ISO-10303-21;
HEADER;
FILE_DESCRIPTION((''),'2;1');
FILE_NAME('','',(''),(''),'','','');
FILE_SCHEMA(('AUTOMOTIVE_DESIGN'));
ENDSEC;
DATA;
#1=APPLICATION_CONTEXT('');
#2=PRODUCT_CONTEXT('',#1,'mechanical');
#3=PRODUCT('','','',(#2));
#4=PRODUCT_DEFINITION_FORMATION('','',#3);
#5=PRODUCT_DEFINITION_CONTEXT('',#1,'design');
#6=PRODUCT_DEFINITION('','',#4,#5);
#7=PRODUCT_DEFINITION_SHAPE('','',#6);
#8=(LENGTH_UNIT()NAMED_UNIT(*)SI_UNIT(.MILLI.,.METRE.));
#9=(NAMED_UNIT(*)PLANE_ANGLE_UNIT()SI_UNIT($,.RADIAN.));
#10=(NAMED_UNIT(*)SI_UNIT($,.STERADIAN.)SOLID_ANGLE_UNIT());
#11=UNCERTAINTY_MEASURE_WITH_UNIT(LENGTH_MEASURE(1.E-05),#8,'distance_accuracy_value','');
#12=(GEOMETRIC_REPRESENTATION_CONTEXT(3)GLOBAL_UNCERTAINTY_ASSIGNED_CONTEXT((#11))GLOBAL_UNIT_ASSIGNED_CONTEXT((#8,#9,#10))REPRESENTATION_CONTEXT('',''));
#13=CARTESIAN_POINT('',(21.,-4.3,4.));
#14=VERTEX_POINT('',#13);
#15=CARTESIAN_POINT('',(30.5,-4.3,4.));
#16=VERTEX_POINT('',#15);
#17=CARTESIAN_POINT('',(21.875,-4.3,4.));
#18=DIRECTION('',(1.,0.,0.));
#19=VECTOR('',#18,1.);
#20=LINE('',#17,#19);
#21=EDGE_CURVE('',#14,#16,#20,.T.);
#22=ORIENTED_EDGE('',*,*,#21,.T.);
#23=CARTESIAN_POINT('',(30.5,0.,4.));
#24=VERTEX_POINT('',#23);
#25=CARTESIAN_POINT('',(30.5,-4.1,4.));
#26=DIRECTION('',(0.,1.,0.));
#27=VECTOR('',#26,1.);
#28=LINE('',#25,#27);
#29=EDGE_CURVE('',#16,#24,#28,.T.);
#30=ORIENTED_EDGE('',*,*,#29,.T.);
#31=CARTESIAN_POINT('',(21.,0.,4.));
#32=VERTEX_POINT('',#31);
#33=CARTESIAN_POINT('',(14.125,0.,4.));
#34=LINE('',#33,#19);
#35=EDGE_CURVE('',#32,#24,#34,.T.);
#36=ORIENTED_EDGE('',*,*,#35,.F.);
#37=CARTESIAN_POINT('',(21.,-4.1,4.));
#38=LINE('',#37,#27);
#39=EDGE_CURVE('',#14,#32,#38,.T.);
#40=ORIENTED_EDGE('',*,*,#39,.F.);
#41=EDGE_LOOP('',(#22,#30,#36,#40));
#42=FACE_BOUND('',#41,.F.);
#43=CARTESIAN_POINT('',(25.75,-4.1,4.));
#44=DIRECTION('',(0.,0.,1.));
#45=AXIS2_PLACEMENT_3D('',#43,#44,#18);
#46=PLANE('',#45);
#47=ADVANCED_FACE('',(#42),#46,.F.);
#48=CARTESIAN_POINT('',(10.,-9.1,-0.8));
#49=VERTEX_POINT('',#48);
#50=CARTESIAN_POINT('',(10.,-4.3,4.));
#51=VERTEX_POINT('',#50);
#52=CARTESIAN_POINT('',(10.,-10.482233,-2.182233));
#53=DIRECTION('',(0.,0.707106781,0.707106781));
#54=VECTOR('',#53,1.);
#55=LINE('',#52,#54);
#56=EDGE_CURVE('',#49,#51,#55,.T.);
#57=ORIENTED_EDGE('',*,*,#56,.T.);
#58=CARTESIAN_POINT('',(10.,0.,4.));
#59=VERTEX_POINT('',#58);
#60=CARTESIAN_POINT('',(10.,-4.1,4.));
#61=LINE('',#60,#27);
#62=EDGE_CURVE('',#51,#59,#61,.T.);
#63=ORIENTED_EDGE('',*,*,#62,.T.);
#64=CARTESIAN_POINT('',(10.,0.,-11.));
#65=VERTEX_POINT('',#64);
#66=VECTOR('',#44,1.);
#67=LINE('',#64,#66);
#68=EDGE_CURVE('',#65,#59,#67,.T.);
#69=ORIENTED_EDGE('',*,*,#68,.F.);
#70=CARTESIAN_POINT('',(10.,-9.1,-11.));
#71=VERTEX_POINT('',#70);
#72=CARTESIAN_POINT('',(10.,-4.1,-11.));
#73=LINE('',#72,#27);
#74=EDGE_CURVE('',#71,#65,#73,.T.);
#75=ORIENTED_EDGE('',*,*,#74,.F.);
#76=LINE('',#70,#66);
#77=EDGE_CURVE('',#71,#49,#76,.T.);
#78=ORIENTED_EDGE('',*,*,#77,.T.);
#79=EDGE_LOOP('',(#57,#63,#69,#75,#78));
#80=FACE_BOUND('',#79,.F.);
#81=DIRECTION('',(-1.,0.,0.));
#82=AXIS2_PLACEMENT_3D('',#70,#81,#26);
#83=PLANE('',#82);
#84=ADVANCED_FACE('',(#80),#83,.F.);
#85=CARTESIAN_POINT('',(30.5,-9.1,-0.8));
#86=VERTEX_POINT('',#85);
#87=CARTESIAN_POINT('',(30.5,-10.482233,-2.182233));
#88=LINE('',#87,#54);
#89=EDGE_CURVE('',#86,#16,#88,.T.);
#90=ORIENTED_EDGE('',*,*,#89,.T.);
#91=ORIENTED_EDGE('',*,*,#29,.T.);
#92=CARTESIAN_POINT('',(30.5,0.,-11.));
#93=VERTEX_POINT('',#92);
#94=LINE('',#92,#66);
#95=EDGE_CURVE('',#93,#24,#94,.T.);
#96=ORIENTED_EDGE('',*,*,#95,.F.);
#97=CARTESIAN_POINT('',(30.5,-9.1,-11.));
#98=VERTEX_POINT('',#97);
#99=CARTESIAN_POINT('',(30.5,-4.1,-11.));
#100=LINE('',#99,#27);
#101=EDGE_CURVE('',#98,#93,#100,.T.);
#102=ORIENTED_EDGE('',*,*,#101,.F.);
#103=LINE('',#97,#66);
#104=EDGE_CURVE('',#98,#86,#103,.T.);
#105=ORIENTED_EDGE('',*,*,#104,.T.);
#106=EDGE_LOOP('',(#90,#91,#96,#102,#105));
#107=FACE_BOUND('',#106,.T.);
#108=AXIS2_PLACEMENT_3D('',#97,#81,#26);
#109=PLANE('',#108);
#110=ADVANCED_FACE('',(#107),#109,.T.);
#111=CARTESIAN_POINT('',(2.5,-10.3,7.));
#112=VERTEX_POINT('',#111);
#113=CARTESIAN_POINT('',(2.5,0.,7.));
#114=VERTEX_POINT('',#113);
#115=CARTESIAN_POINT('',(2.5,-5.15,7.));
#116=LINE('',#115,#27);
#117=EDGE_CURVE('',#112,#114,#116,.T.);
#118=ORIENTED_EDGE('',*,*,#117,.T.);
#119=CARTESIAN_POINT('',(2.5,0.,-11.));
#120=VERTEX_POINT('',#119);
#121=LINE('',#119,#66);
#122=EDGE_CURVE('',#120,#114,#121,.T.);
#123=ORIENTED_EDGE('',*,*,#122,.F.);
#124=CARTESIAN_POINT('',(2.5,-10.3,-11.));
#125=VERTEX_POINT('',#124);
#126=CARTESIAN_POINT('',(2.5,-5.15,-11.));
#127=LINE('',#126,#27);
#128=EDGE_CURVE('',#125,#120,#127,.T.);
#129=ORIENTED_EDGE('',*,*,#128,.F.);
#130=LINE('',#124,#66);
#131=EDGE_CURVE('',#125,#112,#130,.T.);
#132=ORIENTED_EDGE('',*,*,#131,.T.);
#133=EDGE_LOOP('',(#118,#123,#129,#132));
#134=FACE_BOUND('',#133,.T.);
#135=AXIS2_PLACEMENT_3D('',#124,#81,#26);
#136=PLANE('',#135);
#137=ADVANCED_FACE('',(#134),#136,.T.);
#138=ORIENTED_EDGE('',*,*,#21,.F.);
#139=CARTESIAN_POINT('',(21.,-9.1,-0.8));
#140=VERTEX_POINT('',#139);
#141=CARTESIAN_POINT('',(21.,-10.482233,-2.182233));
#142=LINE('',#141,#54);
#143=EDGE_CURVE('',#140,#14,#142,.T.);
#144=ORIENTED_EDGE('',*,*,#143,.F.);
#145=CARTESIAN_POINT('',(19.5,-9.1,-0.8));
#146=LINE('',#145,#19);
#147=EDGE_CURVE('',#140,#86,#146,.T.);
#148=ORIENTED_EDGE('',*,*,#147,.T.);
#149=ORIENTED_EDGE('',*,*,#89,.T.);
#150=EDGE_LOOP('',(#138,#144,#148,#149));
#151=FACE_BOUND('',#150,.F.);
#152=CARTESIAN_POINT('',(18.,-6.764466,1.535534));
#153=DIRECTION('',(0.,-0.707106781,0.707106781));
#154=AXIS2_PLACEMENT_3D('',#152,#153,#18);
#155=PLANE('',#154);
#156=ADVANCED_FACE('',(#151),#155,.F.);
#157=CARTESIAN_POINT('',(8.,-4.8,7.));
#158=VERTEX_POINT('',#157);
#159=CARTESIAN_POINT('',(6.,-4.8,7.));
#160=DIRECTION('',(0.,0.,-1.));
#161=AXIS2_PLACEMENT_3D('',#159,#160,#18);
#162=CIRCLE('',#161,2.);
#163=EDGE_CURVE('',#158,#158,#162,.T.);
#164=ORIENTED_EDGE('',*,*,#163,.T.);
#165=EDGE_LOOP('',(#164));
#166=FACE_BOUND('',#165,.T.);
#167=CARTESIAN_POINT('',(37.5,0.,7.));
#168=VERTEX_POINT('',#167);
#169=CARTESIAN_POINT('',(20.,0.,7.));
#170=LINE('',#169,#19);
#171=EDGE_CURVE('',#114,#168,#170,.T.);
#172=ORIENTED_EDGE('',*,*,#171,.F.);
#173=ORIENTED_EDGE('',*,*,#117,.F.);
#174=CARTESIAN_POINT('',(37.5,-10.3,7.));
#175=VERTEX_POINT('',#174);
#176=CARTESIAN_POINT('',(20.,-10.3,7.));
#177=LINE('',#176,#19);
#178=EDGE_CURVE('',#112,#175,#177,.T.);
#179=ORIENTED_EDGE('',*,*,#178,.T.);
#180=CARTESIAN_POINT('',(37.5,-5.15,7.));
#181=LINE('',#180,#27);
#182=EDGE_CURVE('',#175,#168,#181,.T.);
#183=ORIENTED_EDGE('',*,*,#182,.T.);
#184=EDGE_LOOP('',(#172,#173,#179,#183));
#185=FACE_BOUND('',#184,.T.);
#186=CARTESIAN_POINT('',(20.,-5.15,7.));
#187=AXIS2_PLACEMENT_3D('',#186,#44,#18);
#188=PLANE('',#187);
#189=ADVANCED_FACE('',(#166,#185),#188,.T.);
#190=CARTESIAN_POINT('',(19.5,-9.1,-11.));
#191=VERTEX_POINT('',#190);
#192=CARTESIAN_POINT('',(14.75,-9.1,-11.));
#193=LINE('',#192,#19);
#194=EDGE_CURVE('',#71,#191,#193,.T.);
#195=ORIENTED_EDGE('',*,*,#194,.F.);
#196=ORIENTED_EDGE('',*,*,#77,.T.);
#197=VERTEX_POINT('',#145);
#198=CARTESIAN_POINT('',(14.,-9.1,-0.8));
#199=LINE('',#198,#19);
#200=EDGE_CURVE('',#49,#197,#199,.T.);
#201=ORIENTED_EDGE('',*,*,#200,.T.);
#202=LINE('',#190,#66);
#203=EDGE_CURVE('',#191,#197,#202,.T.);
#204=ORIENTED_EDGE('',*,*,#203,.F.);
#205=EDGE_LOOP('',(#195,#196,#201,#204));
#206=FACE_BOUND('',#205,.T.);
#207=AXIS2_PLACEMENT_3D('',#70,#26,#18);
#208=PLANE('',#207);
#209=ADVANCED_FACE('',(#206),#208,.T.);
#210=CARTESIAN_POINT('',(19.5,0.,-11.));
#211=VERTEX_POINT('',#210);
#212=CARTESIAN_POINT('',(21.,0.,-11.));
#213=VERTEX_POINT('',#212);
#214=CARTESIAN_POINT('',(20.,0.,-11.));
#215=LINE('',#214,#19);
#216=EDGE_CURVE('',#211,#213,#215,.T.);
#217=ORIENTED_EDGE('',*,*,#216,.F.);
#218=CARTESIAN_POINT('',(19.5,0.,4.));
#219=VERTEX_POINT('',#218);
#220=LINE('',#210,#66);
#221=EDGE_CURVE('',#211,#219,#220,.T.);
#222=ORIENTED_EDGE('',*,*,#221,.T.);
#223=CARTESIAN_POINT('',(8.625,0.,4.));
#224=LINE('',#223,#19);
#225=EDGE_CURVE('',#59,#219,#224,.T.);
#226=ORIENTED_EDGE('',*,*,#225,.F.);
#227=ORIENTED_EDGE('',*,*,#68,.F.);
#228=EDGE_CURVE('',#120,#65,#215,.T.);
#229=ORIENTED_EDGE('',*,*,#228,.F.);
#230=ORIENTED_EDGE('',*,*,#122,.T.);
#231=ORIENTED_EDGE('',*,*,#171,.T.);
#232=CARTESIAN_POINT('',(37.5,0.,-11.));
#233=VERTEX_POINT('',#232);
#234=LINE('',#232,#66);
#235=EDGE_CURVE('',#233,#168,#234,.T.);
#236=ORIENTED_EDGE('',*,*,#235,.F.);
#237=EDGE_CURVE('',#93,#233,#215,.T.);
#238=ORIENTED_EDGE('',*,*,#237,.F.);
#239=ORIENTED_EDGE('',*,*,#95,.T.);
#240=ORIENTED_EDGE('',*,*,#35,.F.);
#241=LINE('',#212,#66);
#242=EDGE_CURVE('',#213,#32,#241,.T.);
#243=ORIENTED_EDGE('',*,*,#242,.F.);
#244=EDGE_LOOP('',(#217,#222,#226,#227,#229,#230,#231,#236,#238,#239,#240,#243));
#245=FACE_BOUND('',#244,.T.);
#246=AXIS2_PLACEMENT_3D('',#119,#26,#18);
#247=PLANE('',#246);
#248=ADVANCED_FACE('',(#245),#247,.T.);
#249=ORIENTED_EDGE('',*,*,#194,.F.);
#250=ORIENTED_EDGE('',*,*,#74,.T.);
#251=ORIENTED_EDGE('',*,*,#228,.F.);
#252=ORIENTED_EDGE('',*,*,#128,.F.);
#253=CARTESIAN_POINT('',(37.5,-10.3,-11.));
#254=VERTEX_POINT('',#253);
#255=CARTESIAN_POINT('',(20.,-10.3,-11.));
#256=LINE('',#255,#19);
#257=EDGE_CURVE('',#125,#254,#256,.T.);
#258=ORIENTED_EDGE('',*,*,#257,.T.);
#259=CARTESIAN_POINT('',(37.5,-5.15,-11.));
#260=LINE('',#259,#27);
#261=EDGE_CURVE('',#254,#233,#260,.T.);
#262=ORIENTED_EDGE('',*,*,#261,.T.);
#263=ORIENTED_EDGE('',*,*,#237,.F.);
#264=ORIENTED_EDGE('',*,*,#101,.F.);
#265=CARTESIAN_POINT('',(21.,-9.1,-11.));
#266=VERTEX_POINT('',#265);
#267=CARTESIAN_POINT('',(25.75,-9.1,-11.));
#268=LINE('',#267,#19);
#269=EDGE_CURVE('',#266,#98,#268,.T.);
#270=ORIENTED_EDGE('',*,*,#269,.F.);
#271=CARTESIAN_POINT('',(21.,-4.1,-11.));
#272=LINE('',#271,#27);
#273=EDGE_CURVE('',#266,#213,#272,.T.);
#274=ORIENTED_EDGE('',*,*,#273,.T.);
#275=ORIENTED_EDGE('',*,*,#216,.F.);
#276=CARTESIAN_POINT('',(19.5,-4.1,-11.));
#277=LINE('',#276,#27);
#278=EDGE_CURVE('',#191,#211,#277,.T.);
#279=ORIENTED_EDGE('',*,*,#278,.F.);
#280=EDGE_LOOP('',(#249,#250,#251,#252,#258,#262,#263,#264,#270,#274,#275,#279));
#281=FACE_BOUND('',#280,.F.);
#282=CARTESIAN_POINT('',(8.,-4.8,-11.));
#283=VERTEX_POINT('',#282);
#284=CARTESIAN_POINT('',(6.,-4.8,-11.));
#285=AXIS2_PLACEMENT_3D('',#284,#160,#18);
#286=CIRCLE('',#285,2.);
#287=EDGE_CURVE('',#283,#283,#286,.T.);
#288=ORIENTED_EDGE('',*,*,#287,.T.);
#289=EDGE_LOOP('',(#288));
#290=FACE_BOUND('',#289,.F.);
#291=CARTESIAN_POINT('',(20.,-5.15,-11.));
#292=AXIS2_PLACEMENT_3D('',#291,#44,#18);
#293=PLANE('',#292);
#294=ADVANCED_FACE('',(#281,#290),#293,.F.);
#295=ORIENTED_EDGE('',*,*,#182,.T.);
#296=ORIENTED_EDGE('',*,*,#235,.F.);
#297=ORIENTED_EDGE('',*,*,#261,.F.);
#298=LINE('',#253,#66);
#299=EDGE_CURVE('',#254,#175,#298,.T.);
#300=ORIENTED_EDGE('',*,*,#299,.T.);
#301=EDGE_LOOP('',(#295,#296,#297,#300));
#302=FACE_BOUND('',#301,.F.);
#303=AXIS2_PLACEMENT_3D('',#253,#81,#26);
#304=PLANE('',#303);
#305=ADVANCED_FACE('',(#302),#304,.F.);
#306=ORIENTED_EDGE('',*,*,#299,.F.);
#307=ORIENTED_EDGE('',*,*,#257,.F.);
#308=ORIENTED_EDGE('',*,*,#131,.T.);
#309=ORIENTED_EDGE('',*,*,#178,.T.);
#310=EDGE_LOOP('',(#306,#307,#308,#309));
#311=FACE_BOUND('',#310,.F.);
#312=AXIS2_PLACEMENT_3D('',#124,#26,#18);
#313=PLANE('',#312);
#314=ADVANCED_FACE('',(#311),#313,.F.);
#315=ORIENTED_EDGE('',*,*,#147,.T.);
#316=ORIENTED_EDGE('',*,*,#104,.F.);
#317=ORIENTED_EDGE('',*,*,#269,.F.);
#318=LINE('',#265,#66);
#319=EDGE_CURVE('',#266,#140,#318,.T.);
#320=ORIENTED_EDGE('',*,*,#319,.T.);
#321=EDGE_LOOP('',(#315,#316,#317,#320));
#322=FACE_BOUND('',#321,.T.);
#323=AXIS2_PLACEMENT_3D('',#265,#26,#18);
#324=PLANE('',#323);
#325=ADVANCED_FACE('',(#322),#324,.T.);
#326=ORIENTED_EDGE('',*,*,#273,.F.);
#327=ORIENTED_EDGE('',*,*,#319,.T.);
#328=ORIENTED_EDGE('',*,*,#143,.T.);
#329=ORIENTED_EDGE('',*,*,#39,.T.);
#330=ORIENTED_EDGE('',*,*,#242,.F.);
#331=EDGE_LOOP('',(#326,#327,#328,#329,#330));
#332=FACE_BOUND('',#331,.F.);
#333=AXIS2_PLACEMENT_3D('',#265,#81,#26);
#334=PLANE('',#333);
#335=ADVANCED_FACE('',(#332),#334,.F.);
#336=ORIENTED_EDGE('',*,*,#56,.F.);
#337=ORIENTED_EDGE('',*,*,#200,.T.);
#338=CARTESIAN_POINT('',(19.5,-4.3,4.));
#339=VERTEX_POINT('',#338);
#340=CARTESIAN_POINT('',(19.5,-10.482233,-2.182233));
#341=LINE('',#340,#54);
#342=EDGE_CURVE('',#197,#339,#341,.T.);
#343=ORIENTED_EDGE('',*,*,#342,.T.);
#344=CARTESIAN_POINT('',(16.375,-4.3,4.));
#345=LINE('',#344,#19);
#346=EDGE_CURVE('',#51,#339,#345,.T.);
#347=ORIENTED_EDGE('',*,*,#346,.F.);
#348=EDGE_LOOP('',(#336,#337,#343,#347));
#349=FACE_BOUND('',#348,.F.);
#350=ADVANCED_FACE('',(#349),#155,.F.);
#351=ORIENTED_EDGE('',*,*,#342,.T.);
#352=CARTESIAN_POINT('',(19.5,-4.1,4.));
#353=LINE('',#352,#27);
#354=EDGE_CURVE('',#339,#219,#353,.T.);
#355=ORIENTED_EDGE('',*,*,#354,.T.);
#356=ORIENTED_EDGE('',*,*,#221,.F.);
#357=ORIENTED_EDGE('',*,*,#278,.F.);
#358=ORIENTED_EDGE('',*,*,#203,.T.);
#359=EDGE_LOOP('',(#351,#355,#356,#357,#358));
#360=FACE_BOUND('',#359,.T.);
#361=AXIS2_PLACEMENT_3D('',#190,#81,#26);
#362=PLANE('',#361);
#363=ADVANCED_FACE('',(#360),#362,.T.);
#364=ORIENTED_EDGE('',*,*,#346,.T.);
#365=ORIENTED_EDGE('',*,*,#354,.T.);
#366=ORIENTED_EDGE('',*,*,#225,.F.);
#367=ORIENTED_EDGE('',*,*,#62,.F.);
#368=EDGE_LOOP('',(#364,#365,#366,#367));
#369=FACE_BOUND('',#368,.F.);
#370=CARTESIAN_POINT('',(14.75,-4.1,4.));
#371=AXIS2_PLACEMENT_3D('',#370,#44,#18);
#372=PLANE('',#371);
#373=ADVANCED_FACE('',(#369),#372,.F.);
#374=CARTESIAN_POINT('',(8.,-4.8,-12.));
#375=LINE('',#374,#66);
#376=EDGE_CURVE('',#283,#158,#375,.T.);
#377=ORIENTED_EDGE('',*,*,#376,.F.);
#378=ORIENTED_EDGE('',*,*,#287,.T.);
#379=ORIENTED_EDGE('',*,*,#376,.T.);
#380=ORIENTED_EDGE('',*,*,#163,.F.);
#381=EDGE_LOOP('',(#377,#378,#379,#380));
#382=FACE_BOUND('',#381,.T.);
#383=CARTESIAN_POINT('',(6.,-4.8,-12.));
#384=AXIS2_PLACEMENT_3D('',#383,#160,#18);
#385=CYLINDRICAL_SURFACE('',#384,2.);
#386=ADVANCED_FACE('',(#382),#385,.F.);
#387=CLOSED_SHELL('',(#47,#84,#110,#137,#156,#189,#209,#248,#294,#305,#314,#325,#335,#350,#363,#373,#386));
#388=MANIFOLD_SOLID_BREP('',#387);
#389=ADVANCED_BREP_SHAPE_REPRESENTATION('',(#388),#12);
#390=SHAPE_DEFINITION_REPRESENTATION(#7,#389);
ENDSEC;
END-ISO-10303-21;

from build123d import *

# Parameters (mm, degrees)
CYLINDER004_R     = 2
CYLINDER004_DEPTH = 20
BOX007_W          = 36
BOX007_H          = 10
BOX007_DEPTH      = 10
BOX007_ROLL_ANGLE = 45
BOX006_W          = 9.5
BOX006_H          = 10
BOX006_DEPTH      = 15
BOX004_W          = 9.5
BOX004_H          = 10
BOX004_DEPTH      = 15
BOX001_W          = 35
BOX001_H          = 10.3
BOX001_DEPTH      = 18


with BuildPart() as zylinder004:
    # Cylinder004 → Cylinder004 (new body)
    with BuildSketch(Plane(origin=(6, -4.5, -12), x_dir=(1, 0, 0), z_dir=(0, 0, 1))):
        Circle(CYLINDER004_R)
    extrude(amount=CYLINDER004_DEPTH)


with BuildPart() as w_rfel007:
    # Box007 → Box007 (new body)
    with BuildSketch(Plane.XY):
        with Locations((18, 5)):
            Rectangle(BOX007_W, BOX007_H)
    extrude(amount=BOX007_DEPTH)


with BuildPart() as w_rfel007_1:
    # Box007 roll: moved
    add(w_rfel007.part.rotate(Axis((0, 0, 0), (1, 0, 0)), BOX007_ROLL_ANGLE))


with BuildPart() as w_rfel007_2:
    # Box007 placement: moved
    add(w_rfel007_1.part.moved(Location((0, -10, -2))))


with BuildPart() as w_rfel006:
    # Box006 → Box006 (new body)
    with BuildSketch(Plane(origin=(21, -8.8, -11), x_dir=(1, 0, 0), z_dir=(0, 0, 1))):
        with Locations((4.75, 5)):
            Rectangle(BOX006_W, BOX006_H)
    extrude(amount=BOX006_DEPTH)


with BuildPart() as fusion014:
    # Box004 → Box004 (new body)
    with BuildSketch(Plane(origin=(10, -8.8, -11), x_dir=(1, 0, 0), z_dir=(0, 0, 1))):
        with Locations((4.75, 5)):
            Rectangle(BOX004_W, BOX004_H)
    extrude(amount=BOX004_DEPTH)

    # Fusion007: union Würfel006
    add(w_rfel006.part)

    # Cut001: cut Würfel007
    add(w_rfel007_2.part, mode=Mode.SUBTRACT)

    # Fusion014: union Zylinder004
    add(zylinder004.part)


with BuildPart() as cut002:
    # Box001 → Box001 (new body)
    with BuildSketch(Plane(origin=(2.5, -10, -11), x_dir=(1, 0, 0), z_dir=(0, 0, 1))):
        with Locations((17.5, 5.15)):
            Rectangle(BOX001_W, BOX001_H)
    extrude(amount=BOX001_DEPTH)

    # Cut002: cut Fusion014
    add(fusion014.part, mode=Mode.SUBTRACT)


with BuildPart() as cut002_1:
    # Cut002 placement: moved
    add(cut002.part.moved(Location((0, -0.3, 0))))


solid = cut002_1.part
